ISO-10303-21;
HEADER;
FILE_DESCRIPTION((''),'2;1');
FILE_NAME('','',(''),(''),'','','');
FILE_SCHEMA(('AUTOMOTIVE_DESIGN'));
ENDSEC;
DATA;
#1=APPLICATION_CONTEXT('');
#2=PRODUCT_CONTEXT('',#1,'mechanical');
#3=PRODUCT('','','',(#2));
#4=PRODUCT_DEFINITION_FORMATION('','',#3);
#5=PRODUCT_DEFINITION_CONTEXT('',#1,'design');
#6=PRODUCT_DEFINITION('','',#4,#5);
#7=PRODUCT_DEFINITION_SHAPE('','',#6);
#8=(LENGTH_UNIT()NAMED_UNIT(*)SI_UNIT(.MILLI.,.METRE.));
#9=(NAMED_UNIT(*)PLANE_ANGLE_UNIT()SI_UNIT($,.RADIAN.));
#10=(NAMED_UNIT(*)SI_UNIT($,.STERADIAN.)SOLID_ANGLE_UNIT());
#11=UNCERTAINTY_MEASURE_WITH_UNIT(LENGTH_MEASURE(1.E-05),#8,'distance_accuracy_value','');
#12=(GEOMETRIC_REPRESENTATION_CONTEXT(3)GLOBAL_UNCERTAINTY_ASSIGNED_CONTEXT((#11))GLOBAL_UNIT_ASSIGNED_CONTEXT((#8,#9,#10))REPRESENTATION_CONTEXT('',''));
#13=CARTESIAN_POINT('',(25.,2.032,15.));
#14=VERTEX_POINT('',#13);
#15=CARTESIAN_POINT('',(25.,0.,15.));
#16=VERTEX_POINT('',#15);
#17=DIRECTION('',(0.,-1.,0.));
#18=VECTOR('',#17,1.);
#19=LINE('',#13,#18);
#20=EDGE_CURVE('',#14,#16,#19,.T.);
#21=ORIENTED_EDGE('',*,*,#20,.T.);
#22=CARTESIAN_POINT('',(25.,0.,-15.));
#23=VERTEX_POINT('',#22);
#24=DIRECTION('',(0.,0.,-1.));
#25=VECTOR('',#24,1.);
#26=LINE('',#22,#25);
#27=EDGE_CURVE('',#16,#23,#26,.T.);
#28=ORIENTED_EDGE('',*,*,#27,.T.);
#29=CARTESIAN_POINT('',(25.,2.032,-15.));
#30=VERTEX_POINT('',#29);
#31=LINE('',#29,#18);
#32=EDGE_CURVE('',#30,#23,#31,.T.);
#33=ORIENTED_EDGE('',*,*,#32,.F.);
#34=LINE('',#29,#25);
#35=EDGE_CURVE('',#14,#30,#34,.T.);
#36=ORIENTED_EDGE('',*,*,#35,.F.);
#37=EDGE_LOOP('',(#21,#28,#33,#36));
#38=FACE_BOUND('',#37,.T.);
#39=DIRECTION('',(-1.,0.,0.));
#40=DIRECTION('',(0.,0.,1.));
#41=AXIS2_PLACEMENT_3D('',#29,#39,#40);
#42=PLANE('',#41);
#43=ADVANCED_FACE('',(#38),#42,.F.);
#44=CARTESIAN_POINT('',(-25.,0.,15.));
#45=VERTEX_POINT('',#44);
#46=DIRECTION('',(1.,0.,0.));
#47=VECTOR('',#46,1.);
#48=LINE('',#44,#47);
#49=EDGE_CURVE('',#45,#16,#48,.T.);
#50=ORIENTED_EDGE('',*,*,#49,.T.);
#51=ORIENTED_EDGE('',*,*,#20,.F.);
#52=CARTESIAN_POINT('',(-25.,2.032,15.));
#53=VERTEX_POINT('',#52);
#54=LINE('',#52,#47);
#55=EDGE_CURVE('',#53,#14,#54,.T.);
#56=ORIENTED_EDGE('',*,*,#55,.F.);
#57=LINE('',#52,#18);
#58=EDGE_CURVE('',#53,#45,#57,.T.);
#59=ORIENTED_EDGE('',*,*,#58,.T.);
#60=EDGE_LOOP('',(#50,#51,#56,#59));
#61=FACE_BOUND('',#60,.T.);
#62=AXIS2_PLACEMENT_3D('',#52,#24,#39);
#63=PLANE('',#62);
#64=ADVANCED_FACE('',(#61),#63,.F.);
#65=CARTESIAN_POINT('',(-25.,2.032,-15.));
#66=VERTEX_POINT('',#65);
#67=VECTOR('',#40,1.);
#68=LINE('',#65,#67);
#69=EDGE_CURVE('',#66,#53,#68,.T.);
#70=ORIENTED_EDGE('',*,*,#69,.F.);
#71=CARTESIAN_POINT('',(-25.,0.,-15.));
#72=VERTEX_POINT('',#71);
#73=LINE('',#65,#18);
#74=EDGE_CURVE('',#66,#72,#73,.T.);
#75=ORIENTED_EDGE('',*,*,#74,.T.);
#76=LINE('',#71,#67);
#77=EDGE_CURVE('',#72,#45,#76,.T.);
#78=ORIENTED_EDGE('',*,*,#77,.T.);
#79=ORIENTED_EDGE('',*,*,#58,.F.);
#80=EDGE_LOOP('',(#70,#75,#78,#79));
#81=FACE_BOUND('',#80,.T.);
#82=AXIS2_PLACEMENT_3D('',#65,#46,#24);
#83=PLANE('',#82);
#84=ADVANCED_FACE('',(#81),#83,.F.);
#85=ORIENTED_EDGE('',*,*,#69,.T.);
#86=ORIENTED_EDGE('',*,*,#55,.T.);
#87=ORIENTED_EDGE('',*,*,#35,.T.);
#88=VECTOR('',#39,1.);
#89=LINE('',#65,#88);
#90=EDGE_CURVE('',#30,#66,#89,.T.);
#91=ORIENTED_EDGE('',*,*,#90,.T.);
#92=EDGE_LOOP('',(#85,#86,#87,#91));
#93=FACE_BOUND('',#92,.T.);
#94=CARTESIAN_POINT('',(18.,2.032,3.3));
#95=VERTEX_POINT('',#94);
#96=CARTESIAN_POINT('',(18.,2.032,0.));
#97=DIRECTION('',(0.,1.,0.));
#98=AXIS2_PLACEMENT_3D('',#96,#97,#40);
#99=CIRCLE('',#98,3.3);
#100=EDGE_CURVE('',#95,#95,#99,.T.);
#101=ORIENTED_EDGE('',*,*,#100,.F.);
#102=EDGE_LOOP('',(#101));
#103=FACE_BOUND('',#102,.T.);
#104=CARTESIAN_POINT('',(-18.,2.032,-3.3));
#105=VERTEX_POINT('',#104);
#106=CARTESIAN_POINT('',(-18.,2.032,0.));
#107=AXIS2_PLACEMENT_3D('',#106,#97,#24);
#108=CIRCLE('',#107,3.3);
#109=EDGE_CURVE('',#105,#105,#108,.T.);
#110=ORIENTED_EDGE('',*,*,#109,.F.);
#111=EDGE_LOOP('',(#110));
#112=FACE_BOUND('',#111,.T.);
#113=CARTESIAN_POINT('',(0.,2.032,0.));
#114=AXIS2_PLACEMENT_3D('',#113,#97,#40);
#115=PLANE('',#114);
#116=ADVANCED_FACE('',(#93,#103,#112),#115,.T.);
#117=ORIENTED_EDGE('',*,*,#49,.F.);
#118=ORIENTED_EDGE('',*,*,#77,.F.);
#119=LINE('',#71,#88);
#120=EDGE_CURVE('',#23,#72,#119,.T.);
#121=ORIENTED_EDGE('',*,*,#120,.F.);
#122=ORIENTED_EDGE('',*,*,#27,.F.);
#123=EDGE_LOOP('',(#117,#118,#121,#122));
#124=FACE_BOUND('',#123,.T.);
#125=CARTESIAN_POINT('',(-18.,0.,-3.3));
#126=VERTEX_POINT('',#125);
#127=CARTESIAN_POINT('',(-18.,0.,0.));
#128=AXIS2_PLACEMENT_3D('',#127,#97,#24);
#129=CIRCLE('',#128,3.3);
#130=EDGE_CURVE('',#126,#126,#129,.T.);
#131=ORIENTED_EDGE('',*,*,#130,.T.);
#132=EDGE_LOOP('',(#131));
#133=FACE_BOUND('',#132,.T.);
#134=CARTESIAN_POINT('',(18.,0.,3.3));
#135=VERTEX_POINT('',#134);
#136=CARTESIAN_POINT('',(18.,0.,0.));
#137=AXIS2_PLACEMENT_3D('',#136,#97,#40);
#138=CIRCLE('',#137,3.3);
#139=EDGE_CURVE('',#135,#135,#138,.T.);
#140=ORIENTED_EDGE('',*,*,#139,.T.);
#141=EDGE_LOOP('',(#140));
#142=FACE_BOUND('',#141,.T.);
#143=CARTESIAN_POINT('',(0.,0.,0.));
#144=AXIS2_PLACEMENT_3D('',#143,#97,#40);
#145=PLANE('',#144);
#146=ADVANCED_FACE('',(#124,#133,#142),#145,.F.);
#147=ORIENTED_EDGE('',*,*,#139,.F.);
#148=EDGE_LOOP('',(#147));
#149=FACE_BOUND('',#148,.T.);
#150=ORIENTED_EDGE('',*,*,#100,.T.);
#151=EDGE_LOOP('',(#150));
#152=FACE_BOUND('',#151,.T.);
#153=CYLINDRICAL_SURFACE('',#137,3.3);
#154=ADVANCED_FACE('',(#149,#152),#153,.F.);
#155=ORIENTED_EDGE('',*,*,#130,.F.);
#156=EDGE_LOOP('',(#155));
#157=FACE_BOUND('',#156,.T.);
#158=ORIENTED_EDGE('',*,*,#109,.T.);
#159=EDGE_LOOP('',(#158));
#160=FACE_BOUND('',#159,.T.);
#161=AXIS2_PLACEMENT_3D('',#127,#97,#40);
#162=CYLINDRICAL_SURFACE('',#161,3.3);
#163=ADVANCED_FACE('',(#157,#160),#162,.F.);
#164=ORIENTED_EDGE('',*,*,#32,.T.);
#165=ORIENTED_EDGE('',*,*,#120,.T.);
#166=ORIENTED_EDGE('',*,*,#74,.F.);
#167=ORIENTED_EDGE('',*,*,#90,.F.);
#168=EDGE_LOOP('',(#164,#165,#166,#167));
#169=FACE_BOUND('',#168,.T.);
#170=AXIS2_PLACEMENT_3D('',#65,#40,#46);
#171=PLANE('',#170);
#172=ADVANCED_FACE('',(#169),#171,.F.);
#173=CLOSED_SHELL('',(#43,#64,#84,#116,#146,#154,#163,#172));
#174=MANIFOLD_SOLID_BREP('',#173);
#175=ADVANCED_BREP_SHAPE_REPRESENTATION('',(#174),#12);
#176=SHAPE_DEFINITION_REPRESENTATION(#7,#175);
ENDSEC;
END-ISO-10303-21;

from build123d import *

# Parameters (mm, degrees)
SKETCH1_W           = 50
SKETCH1_H           = 30
BOSS_EXTRUDE1_DEPTH = 2.032
SKETCH2_R           = 3.3
CUT_EXTRUDE1_DEPTH  = 30.225485864


with BuildPart() as part:
    # Sketch1 → Boss-Extrude1 (new body)
    with BuildSketch(Plane(origin=(0, 0, 0), x_dir=(1, 0, 0), z_dir=(0, 1, 0))):
        Rectangle(SKETCH1_W, SKETCH1_H)
    extrude(amount=BOSS_EXTRUDE1_DEPTH)

    # Sketch2 → Cut-Extrude1 (cut, through all)
    with BuildSketch(Plane(origin=(0, 2.032, 0), x_dir=(1, 0, 0), z_dir=(0, 1, 0))):
        with Locations(Location((18, 0, 0), (0, 0, 270))):
            Circle(SKETCH2_R)
        with Locations(Location((-18, 0, 0), (0, 0, 90))):
            Circle(SKETCH2_R)
    extrude(amount=-CUT_EXTRUDE1_DEPTH, mode=Mode.SUBTRACT)


solid = part.part
